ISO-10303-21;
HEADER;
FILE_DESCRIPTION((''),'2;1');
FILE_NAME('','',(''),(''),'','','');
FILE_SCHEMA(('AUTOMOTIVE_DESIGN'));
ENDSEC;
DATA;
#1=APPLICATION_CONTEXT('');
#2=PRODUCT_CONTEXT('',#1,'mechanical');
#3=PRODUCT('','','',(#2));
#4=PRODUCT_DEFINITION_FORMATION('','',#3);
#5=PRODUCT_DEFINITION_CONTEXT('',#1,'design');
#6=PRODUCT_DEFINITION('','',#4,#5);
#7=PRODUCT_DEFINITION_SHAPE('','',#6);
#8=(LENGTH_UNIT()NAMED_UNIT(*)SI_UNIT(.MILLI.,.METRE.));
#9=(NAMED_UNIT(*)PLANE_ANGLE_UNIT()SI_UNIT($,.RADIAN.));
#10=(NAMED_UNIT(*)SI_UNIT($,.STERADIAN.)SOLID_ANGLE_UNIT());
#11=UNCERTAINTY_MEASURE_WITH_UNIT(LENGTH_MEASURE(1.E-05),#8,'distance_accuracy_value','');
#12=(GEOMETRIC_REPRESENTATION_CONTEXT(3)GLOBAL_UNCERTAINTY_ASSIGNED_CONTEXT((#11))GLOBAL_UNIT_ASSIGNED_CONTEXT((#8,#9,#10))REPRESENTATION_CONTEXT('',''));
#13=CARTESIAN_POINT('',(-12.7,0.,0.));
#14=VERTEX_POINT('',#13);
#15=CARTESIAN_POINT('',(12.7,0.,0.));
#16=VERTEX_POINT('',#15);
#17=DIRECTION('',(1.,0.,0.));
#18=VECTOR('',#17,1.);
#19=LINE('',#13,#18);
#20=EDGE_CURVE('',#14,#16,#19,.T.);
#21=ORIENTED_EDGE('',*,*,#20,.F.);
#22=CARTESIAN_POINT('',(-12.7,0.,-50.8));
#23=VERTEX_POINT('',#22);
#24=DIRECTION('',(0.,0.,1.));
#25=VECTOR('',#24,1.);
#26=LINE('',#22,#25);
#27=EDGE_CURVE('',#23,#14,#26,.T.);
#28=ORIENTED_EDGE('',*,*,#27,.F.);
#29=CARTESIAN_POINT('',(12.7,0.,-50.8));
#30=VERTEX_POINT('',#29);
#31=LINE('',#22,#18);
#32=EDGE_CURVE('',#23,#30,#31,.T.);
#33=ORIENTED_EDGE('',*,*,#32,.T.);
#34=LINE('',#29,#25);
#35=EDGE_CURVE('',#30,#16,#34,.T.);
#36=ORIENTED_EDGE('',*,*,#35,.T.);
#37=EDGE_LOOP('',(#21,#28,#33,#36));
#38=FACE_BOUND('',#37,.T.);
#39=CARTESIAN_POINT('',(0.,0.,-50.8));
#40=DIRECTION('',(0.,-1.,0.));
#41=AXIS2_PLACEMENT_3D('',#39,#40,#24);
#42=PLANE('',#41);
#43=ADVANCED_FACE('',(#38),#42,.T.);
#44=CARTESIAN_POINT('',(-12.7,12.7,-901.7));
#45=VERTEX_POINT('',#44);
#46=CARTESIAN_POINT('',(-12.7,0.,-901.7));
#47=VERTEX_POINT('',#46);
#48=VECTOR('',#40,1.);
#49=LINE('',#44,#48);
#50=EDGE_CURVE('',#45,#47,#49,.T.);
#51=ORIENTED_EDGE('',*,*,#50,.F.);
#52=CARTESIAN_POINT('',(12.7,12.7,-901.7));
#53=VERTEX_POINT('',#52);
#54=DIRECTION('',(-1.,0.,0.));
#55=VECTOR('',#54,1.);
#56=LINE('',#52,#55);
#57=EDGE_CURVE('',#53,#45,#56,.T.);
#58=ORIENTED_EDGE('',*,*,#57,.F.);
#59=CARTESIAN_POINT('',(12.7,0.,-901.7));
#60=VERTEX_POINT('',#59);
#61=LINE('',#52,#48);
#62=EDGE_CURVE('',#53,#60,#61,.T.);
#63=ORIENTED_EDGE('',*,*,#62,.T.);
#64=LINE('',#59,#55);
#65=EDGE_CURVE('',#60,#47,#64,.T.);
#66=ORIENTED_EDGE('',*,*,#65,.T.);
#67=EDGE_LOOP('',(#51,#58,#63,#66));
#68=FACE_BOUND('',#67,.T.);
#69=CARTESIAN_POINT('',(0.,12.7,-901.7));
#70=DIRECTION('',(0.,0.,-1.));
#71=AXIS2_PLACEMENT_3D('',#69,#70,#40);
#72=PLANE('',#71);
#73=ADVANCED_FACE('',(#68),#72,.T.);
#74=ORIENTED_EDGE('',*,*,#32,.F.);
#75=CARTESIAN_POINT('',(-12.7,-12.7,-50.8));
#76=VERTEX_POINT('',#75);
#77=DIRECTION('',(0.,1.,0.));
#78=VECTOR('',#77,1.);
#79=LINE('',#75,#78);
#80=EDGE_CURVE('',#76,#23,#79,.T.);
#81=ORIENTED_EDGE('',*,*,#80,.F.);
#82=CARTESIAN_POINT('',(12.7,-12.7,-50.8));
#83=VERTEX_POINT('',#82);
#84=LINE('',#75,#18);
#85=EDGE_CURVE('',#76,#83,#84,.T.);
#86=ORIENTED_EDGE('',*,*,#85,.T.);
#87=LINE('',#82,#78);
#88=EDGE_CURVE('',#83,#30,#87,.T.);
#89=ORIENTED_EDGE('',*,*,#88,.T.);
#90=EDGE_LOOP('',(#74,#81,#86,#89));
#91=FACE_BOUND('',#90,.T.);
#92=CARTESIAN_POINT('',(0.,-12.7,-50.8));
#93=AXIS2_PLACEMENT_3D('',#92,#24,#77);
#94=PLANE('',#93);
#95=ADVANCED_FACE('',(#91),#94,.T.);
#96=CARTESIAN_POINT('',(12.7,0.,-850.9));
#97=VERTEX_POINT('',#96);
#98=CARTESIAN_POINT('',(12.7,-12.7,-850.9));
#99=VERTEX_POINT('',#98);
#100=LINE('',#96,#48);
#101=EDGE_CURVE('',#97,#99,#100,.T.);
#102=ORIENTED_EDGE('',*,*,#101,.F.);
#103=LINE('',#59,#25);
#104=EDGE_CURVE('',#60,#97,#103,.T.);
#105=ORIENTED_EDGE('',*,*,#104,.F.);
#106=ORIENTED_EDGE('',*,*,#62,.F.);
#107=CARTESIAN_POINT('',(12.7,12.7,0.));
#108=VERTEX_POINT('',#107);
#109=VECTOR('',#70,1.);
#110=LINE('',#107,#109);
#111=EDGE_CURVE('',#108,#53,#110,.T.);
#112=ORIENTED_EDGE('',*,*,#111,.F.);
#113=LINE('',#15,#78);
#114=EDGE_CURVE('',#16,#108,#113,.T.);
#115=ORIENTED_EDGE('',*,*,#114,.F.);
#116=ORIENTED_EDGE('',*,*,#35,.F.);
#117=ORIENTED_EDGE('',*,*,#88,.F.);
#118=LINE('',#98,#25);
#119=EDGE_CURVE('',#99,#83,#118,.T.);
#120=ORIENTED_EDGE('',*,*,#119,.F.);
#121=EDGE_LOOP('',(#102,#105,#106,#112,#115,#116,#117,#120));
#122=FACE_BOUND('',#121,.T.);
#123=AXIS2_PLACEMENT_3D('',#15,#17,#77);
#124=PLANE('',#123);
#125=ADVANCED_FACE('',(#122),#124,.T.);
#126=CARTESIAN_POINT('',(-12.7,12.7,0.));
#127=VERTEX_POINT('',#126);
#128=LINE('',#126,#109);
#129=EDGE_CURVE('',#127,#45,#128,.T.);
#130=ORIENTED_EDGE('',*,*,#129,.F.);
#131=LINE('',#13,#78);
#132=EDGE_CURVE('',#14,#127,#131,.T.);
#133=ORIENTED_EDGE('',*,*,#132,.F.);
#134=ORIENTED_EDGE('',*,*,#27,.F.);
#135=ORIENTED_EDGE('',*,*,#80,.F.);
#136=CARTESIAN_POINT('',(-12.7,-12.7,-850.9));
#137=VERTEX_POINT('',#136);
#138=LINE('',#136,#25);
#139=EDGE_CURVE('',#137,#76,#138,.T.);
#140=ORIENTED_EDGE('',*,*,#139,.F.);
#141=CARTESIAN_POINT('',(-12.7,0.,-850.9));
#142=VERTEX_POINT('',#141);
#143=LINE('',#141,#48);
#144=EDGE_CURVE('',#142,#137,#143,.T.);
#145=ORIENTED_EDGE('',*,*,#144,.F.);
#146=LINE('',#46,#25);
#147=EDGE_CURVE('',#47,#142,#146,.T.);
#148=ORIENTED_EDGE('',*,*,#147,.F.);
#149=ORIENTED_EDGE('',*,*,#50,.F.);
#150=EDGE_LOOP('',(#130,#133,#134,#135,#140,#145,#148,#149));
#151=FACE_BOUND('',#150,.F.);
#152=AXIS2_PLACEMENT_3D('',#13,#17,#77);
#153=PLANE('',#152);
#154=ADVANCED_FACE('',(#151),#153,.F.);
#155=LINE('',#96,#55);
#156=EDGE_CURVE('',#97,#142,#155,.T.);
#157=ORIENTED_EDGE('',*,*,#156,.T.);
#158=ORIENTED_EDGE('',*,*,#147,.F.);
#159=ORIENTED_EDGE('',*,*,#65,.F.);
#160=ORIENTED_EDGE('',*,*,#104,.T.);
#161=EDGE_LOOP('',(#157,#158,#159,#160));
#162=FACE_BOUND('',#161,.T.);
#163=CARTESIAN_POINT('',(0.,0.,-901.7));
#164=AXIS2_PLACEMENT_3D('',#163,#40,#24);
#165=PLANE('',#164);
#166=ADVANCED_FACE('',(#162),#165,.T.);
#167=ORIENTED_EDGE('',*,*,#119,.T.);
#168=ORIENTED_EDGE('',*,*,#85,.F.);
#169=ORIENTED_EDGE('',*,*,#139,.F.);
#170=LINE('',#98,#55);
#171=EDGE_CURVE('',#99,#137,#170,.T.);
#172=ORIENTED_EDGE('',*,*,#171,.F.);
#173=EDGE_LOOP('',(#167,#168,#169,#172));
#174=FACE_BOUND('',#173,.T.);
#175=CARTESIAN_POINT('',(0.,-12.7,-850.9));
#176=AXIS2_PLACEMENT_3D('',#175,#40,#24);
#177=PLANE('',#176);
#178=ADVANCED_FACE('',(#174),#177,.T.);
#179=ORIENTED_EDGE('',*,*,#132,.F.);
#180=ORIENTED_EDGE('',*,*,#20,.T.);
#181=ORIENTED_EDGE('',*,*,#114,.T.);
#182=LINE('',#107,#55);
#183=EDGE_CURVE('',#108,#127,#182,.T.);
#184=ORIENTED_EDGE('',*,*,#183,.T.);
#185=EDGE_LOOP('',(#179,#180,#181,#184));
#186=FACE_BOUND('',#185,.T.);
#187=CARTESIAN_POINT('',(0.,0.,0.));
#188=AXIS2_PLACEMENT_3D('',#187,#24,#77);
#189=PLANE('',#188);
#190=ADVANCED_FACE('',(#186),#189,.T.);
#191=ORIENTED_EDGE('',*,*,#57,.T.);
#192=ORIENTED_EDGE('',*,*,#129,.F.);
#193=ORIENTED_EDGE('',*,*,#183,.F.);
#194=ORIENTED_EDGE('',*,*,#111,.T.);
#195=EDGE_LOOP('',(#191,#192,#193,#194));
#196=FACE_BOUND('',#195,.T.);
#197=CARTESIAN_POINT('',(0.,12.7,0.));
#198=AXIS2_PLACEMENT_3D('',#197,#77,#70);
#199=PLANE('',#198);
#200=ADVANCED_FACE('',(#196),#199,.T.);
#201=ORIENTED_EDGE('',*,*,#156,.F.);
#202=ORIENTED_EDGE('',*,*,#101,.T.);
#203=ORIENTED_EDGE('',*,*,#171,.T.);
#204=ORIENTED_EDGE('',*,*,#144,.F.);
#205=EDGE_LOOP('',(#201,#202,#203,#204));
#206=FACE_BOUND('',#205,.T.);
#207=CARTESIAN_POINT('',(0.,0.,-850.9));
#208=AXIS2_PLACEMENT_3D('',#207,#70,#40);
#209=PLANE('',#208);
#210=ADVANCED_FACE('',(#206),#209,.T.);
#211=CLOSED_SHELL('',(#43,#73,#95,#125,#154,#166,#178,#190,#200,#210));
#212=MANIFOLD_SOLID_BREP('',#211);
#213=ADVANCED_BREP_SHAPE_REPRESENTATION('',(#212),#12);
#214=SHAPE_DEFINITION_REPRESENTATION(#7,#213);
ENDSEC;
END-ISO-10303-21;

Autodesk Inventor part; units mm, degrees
ref_plane "YZ Plane" through (0, 0, 0) normal (1, 0, 0) x (0, 1, 0)
ref_plane "XZ Plane" through (0, 0, 0) normal (0, 1, 0) x (-1, 0, 0)
ref_plane "XY Plane" through (0, 0, 0) normal (0, 0, 1) x (1, 0, 0)
sketch "Sketch1" plane through (0, 0, 0) normal (1, 0, 0) x (0, 1, 0)
  line L0 (0, 0) -> (12.7, 0)
  line L1 (12.7, 0) -> (12.7, -901.7)
  line L2 (12.7, -901.7) -> (0, -901.7)
  line L3 (0, -901.7) -> (0, -850.9)
  line L4 (0, -850.9) -> (-12.7, -850.9)
  line L5 (-12.7, -850.9) -> (-12.7, -50.8)
  line L6 (-12.7, -50.8) -> (0, -50.8)
  line L7 (0, -50.8) -> (0, 0)
  dimension "d3" = 12.7
  dimension "d4" = 901.7
  dimension "d5" = 12.7
  dimension "d6" = 50.8
  dimension "d7" = 12.7
  dimension "d8" = 800.1
extrude "Extrusion1" add sketch "Sketch1" along normal mid plane 25.4
properties part number "door top" material "Wood (Cherry)"
